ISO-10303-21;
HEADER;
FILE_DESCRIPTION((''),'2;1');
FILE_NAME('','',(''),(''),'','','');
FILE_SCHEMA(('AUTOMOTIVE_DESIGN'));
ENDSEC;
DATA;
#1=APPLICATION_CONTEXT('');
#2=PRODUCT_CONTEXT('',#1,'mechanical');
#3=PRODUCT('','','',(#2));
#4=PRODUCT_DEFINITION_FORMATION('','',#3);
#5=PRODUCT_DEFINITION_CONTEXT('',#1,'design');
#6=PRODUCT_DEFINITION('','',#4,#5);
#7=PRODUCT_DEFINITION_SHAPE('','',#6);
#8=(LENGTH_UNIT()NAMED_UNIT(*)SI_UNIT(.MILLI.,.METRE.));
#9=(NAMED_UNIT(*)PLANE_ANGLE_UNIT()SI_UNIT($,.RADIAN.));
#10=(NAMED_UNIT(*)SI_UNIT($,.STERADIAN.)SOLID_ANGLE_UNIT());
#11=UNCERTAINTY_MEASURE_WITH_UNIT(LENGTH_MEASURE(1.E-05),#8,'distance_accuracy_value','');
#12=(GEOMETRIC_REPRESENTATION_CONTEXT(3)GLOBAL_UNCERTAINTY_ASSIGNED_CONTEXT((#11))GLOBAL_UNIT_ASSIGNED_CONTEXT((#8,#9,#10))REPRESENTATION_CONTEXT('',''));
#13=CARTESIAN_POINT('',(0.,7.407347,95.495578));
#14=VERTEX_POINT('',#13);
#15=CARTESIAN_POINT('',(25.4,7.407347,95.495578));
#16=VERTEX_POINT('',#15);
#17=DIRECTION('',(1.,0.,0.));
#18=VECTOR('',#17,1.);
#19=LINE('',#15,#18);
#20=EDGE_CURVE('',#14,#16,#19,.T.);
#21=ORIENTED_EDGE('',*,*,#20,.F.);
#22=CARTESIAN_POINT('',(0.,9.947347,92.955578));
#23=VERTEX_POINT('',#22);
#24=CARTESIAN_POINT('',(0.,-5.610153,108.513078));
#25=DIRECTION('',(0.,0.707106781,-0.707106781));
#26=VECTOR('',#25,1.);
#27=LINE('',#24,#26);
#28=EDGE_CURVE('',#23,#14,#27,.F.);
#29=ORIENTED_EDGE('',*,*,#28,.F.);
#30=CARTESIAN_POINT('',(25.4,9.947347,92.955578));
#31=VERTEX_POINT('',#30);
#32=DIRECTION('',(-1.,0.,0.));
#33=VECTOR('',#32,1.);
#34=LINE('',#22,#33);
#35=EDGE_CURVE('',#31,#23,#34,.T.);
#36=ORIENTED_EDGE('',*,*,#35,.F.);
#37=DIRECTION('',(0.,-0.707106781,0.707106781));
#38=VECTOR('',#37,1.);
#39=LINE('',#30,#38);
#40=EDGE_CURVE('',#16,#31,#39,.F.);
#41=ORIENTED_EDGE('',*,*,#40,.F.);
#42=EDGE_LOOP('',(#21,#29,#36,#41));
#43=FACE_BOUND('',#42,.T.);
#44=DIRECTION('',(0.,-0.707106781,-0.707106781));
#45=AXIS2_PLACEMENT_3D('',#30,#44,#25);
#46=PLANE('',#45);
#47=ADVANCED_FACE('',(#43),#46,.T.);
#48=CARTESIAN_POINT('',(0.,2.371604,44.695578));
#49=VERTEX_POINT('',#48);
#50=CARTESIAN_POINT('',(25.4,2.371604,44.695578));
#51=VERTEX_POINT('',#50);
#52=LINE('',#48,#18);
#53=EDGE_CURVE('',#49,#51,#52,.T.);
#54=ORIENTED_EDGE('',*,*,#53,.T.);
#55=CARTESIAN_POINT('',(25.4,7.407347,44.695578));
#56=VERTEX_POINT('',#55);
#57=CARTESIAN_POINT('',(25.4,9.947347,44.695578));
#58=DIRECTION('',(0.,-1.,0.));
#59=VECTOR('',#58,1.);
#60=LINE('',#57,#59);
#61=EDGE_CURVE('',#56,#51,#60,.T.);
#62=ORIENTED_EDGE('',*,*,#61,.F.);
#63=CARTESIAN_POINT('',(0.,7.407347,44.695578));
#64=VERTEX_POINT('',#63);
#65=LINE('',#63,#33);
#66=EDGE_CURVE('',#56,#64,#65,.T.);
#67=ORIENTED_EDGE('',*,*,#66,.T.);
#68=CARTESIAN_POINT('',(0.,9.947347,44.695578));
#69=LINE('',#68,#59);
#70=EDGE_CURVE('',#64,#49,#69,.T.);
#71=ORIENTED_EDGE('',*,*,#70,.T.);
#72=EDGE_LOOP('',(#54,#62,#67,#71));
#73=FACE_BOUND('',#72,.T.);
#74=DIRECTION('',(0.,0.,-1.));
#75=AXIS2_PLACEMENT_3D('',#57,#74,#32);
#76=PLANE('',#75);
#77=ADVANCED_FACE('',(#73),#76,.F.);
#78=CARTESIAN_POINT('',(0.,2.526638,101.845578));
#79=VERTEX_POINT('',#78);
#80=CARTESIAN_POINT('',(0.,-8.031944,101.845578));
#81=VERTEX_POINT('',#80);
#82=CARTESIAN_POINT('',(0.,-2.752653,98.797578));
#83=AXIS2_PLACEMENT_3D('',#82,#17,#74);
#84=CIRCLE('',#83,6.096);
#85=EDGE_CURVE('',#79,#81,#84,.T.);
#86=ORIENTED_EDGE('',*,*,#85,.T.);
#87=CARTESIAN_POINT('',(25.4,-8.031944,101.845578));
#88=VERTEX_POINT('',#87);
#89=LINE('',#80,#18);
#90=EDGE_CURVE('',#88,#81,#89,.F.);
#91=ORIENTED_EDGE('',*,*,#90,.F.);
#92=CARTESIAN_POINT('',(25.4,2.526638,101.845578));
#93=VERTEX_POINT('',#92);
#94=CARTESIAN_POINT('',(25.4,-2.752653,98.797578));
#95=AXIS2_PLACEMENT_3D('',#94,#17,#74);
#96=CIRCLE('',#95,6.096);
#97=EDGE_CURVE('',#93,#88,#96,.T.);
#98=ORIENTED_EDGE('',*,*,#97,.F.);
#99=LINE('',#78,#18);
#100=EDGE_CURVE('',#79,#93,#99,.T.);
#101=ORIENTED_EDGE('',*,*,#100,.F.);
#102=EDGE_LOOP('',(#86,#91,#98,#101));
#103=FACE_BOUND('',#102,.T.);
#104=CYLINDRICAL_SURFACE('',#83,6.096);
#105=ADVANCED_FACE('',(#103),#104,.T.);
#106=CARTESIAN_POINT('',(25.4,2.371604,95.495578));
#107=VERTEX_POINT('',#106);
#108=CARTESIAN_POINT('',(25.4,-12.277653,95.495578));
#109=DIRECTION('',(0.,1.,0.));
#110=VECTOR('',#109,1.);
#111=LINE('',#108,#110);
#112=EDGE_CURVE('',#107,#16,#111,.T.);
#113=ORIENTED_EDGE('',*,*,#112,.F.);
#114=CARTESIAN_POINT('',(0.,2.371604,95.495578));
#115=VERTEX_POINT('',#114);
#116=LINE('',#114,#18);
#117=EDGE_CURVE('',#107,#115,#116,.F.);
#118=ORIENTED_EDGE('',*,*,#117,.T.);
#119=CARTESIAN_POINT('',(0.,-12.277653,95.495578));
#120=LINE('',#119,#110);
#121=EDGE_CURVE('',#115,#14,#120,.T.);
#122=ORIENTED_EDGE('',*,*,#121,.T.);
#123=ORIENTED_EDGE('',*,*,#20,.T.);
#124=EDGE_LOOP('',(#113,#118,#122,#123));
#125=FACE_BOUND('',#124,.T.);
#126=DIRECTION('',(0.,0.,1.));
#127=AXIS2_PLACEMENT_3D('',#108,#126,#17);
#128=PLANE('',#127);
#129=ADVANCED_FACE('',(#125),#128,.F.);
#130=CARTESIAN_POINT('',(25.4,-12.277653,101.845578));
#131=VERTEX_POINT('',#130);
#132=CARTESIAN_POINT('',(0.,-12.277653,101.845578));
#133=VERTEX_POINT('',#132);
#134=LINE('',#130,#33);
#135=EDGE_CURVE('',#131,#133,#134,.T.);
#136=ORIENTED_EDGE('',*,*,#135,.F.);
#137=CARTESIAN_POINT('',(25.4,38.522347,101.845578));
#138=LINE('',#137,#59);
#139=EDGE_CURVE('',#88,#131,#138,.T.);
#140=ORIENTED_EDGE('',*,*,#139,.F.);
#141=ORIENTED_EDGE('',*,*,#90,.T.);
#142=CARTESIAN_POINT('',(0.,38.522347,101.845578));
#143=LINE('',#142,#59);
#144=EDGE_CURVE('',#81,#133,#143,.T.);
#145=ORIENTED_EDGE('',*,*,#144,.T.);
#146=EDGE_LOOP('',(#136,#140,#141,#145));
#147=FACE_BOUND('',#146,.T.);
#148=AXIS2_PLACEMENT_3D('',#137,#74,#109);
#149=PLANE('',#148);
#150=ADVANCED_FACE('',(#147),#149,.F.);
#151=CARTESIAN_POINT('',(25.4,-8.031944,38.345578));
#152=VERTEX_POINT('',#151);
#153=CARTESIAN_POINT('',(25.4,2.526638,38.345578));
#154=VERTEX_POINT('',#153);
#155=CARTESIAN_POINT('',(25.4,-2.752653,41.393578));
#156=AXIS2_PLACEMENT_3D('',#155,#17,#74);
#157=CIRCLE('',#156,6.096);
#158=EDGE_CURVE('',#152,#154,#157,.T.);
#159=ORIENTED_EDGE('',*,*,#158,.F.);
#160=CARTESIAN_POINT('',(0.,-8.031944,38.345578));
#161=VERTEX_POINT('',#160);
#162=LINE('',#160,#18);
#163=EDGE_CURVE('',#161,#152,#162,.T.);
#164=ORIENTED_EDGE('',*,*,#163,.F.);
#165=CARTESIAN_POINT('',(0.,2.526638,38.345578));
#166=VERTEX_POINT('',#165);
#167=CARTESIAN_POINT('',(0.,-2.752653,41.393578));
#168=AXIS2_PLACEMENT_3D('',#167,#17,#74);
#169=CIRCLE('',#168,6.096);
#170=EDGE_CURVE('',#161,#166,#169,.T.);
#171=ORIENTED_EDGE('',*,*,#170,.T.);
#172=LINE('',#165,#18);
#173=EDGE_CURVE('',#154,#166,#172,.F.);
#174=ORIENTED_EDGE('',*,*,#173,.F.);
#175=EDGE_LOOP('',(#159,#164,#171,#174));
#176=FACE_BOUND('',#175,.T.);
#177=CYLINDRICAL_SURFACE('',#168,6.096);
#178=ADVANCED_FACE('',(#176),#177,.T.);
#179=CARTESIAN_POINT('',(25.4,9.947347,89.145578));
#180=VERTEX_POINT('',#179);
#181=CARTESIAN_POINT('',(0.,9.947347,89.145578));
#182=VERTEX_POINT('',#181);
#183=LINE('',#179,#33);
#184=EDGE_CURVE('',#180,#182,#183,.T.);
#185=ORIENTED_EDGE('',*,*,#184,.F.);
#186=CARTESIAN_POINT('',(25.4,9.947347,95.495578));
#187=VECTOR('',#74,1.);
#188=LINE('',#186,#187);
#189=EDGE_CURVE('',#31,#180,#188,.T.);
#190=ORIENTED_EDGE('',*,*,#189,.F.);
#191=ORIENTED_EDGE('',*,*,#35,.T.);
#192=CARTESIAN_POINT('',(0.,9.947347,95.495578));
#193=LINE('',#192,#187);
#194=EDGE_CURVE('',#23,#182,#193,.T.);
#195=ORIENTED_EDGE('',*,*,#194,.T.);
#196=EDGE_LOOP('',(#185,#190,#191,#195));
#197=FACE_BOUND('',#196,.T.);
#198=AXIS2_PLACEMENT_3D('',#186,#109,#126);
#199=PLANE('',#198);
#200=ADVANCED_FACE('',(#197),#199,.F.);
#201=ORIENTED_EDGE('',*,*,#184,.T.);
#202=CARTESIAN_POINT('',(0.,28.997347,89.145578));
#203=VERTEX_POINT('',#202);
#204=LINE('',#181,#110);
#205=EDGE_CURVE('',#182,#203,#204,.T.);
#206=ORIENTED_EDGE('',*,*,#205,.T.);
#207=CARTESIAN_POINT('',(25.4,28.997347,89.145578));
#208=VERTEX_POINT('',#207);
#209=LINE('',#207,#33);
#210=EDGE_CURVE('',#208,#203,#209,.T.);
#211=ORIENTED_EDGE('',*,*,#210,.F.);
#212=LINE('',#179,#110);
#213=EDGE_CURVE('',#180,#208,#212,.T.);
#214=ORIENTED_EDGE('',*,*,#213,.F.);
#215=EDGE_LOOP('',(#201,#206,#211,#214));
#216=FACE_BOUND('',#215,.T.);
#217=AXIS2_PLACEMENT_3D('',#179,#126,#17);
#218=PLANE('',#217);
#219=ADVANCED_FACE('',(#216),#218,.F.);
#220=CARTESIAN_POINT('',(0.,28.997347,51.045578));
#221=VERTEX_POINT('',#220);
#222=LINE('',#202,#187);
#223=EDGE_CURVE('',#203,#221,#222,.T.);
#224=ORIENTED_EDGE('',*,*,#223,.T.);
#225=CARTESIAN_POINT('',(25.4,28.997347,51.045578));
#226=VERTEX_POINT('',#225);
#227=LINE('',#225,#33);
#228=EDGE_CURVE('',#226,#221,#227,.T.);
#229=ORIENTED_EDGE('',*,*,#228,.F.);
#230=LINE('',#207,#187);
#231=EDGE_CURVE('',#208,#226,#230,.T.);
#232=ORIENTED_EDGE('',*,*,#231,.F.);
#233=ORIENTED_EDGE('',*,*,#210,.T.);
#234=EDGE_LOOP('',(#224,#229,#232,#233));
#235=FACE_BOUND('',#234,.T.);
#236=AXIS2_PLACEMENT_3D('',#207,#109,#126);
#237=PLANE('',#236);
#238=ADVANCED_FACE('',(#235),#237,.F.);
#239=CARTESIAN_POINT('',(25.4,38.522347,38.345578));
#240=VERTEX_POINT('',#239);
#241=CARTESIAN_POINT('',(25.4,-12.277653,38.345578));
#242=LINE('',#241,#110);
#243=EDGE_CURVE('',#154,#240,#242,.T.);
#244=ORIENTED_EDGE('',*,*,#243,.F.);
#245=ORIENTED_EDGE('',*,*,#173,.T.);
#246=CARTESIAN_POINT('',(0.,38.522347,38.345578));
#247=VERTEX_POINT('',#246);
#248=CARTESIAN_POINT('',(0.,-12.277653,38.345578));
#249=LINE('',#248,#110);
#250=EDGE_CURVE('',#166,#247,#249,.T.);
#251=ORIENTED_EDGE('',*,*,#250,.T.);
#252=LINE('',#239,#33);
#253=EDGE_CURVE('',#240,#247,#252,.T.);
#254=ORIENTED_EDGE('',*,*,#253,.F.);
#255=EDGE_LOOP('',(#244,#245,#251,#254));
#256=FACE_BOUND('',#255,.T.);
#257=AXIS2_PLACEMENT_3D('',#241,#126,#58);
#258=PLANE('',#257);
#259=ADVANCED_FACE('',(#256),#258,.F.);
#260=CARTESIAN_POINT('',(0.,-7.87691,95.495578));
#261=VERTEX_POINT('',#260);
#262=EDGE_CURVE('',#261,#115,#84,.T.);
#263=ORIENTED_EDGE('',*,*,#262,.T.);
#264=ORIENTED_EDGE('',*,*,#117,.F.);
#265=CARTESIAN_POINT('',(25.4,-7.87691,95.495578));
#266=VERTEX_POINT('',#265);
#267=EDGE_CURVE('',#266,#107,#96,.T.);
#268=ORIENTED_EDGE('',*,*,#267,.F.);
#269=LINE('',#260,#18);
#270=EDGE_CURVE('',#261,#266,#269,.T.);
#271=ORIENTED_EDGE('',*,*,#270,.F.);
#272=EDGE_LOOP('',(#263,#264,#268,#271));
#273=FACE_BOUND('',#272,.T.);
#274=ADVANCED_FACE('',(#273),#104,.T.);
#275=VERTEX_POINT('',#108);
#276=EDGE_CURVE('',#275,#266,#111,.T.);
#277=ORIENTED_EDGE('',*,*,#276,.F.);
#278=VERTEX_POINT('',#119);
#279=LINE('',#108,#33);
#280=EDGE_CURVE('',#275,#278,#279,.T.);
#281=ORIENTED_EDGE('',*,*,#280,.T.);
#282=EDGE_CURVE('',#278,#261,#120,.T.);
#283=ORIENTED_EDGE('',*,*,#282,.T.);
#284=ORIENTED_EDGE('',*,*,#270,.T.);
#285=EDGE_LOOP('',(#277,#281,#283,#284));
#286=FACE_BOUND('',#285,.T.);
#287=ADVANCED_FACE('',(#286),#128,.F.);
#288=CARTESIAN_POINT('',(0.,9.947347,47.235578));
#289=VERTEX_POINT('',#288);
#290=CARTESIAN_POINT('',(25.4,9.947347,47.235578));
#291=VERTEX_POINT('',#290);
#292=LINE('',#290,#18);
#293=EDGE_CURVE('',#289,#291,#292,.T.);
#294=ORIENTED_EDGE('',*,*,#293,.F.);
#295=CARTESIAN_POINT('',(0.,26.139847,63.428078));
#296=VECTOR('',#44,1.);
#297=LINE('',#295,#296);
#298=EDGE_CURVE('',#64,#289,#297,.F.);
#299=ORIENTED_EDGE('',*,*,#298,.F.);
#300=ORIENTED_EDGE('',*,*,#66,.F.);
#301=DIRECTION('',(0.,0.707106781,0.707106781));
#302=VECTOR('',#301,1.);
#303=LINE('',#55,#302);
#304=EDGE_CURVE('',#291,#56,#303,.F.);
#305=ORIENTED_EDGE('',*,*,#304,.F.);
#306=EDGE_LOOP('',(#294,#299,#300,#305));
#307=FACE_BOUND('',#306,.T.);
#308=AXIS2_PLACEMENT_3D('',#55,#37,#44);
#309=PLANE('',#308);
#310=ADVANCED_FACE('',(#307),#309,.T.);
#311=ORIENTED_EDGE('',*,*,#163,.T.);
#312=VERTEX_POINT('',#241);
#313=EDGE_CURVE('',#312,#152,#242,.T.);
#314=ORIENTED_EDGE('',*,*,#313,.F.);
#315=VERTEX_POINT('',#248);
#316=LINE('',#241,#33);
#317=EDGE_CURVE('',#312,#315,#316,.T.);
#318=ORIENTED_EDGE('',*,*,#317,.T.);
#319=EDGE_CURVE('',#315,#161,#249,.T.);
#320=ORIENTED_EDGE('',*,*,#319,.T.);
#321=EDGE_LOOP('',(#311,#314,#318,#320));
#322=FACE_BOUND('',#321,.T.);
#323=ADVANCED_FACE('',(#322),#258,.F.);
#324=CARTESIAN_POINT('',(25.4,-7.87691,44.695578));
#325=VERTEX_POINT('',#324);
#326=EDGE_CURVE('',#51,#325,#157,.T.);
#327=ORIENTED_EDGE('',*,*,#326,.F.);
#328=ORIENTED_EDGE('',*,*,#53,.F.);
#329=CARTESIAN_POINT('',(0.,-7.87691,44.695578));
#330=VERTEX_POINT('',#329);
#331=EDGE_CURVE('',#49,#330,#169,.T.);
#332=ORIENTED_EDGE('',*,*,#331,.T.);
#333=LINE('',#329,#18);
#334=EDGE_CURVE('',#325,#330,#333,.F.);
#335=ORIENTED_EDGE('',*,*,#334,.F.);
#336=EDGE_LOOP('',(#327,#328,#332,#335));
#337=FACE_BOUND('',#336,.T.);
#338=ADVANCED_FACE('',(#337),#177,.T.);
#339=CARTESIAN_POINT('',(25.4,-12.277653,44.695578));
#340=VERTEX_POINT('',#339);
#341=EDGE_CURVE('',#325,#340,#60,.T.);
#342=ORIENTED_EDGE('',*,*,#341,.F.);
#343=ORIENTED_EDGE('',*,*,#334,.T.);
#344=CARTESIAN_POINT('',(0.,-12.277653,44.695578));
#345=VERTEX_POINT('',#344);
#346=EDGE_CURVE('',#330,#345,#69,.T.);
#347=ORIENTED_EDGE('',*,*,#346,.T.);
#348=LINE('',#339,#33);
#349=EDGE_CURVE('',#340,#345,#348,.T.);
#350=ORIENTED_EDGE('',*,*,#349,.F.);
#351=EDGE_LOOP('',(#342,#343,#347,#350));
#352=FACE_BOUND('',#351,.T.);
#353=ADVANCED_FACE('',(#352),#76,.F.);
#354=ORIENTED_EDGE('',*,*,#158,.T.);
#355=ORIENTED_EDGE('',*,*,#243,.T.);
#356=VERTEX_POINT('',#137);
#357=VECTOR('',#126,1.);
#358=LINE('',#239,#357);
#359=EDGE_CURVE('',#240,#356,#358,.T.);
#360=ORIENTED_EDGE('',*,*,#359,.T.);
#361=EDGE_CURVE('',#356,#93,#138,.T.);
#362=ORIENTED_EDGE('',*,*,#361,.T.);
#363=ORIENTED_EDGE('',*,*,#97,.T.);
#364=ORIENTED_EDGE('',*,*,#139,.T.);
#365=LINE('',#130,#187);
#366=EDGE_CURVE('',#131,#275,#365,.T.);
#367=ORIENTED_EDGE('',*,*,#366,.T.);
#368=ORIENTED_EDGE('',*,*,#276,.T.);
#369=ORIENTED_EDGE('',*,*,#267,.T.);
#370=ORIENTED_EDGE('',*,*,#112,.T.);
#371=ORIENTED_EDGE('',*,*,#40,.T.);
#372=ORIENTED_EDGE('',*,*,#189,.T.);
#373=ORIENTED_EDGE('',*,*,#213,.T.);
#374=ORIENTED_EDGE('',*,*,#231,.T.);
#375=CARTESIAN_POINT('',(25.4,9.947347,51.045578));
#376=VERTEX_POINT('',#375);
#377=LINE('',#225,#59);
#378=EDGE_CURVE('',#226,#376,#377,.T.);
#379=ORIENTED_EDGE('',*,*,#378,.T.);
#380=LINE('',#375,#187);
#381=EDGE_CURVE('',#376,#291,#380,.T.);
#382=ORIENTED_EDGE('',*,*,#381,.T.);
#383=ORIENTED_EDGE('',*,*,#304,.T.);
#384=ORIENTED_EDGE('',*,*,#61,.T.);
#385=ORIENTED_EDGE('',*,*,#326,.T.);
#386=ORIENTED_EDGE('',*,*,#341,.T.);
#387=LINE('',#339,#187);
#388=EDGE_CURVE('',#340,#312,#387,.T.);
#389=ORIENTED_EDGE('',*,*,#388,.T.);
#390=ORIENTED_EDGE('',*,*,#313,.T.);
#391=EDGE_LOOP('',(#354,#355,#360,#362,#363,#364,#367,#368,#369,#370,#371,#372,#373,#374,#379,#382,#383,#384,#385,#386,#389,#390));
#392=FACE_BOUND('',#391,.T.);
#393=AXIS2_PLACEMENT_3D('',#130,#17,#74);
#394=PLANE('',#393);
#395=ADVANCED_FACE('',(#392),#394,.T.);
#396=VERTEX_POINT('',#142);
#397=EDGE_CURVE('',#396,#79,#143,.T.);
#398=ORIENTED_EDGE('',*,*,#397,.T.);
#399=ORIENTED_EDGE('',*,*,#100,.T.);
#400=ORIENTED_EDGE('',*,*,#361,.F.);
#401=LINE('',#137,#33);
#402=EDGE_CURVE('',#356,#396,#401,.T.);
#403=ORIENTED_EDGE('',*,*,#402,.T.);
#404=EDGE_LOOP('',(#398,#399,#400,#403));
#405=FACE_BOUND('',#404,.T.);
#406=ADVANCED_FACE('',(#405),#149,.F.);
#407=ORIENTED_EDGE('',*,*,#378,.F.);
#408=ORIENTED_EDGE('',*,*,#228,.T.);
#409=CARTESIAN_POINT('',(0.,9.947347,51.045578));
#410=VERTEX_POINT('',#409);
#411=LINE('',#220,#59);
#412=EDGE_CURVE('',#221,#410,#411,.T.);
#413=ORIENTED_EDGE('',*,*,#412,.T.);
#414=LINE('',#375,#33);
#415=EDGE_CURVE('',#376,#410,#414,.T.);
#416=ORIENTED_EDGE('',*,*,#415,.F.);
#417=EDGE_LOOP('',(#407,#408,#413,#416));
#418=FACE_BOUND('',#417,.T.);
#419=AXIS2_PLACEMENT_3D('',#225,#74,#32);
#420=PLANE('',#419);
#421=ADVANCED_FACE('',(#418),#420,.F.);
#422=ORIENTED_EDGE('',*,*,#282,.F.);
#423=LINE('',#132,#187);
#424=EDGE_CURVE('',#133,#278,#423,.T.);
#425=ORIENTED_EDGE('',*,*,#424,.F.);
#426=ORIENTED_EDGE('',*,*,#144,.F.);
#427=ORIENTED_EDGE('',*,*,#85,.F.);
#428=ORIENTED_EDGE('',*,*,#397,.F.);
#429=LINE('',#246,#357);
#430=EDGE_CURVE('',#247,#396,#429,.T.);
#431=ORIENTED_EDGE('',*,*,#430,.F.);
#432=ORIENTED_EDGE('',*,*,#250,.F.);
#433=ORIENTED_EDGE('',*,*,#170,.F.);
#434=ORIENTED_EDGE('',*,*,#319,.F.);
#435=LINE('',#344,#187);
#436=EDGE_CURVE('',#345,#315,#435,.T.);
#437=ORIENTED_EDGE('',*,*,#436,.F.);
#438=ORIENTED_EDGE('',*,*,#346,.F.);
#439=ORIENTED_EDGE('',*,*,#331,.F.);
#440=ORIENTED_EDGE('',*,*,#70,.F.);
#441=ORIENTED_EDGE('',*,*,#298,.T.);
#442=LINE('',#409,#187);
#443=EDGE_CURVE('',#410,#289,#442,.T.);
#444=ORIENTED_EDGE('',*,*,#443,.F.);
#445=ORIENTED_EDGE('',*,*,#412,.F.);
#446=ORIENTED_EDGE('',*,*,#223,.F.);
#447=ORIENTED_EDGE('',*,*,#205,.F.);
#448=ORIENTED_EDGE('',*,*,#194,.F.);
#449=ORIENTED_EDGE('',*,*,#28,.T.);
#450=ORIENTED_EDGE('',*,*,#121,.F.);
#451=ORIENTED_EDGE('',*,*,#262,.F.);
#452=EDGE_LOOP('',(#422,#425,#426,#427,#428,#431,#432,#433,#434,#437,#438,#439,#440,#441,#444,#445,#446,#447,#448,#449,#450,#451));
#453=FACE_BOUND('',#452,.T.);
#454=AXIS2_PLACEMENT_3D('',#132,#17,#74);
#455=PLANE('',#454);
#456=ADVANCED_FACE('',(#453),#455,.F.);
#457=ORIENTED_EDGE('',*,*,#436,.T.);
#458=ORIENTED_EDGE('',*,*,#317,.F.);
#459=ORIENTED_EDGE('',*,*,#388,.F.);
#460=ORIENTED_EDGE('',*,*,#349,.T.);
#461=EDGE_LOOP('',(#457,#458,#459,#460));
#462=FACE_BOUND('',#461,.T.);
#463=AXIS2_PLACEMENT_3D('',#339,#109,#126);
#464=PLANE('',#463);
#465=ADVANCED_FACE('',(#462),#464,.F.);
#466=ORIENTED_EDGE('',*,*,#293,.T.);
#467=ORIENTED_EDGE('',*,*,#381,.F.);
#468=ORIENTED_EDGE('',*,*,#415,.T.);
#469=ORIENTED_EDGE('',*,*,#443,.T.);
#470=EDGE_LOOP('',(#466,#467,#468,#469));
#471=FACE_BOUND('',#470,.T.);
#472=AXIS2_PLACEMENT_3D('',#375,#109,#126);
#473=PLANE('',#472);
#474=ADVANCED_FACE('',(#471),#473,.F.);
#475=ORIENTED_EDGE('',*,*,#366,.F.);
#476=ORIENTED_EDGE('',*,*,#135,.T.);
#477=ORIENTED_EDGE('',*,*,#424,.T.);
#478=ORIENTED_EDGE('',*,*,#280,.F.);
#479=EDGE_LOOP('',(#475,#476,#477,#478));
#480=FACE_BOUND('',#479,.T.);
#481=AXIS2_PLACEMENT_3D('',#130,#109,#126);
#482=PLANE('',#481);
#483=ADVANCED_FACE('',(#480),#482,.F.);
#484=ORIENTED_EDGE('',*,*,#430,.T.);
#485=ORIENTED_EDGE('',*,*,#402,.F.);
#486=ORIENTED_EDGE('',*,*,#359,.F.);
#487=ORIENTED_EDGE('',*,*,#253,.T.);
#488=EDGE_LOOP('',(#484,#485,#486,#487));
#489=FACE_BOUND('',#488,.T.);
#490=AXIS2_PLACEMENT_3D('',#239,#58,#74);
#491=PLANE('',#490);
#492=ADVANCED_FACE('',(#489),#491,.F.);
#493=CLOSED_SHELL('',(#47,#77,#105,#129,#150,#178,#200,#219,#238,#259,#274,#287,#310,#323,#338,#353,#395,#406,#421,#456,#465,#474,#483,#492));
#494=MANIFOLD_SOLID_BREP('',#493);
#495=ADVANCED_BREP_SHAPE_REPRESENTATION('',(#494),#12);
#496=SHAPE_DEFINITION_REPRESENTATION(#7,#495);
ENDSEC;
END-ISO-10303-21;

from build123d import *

# Parameters (mm, degrees)
BOSS_EXTRUDE1_DEPTH = 25.4
SKETCH4_R           = 6.096
BOSS_EXTRUDE2_DEPTH = 25.4
CHAMFER1_SIZE       = 2.54


with BuildPart() as part:
    # Sketch3 → Boss-Extrude1 (new body)
    with BuildSketch(Plane(origin=(0, 0, 0), x_dir=(0, 0, -1), z_dir=(1, 0, 0))):
        Polygon((-101.845577666, -12.277652747), (-95.495577666, -12.277652747), (-95.495577666, 9.947347253), (-89.145577666, 9.947347253), (-89.145577666, 28.997347253), (-51.045577666, 28.997347253), (-51.045577666, 9.947347253), (-44.695577666, 9.947347253), (-44.695577666, -12.277652747), (-38.345577666, -12.277652747), (-38.345577666, 38.522347253), (-101.845577666, 38.522347253), align=None)
    extrude(amount=BOSS_EXTRUDE1_DEPTH)

    # Sketch4 → Boss-Extrude2 (add)
    with BuildSketch(Plane(origin=(25.4, 0, 0), x_dir=(0, 0, -1), z_dir=(1, 0, 0))):
        with Locations((-98.797577666, -2.752652747)):
            Circle(SKETCH4_R)
        with Locations((-41.393577666, -2.752652747)):
            Circle(SKETCH4_R)
    extrude(amount=-BOSS_EXTRUDE2_DEPTH)

    # Chamfer1
    chamfer1_edges = [part.edges().sort_by_distance(p)[0] for p in [
        (12.7, 9.947347253, 44.695577666),
        (12.7, 9.947347253, 95.495577666),
    ]]
    chamfer(chamfer1_edges, length=CHAMFER1_SIZE)


solid = part.part
